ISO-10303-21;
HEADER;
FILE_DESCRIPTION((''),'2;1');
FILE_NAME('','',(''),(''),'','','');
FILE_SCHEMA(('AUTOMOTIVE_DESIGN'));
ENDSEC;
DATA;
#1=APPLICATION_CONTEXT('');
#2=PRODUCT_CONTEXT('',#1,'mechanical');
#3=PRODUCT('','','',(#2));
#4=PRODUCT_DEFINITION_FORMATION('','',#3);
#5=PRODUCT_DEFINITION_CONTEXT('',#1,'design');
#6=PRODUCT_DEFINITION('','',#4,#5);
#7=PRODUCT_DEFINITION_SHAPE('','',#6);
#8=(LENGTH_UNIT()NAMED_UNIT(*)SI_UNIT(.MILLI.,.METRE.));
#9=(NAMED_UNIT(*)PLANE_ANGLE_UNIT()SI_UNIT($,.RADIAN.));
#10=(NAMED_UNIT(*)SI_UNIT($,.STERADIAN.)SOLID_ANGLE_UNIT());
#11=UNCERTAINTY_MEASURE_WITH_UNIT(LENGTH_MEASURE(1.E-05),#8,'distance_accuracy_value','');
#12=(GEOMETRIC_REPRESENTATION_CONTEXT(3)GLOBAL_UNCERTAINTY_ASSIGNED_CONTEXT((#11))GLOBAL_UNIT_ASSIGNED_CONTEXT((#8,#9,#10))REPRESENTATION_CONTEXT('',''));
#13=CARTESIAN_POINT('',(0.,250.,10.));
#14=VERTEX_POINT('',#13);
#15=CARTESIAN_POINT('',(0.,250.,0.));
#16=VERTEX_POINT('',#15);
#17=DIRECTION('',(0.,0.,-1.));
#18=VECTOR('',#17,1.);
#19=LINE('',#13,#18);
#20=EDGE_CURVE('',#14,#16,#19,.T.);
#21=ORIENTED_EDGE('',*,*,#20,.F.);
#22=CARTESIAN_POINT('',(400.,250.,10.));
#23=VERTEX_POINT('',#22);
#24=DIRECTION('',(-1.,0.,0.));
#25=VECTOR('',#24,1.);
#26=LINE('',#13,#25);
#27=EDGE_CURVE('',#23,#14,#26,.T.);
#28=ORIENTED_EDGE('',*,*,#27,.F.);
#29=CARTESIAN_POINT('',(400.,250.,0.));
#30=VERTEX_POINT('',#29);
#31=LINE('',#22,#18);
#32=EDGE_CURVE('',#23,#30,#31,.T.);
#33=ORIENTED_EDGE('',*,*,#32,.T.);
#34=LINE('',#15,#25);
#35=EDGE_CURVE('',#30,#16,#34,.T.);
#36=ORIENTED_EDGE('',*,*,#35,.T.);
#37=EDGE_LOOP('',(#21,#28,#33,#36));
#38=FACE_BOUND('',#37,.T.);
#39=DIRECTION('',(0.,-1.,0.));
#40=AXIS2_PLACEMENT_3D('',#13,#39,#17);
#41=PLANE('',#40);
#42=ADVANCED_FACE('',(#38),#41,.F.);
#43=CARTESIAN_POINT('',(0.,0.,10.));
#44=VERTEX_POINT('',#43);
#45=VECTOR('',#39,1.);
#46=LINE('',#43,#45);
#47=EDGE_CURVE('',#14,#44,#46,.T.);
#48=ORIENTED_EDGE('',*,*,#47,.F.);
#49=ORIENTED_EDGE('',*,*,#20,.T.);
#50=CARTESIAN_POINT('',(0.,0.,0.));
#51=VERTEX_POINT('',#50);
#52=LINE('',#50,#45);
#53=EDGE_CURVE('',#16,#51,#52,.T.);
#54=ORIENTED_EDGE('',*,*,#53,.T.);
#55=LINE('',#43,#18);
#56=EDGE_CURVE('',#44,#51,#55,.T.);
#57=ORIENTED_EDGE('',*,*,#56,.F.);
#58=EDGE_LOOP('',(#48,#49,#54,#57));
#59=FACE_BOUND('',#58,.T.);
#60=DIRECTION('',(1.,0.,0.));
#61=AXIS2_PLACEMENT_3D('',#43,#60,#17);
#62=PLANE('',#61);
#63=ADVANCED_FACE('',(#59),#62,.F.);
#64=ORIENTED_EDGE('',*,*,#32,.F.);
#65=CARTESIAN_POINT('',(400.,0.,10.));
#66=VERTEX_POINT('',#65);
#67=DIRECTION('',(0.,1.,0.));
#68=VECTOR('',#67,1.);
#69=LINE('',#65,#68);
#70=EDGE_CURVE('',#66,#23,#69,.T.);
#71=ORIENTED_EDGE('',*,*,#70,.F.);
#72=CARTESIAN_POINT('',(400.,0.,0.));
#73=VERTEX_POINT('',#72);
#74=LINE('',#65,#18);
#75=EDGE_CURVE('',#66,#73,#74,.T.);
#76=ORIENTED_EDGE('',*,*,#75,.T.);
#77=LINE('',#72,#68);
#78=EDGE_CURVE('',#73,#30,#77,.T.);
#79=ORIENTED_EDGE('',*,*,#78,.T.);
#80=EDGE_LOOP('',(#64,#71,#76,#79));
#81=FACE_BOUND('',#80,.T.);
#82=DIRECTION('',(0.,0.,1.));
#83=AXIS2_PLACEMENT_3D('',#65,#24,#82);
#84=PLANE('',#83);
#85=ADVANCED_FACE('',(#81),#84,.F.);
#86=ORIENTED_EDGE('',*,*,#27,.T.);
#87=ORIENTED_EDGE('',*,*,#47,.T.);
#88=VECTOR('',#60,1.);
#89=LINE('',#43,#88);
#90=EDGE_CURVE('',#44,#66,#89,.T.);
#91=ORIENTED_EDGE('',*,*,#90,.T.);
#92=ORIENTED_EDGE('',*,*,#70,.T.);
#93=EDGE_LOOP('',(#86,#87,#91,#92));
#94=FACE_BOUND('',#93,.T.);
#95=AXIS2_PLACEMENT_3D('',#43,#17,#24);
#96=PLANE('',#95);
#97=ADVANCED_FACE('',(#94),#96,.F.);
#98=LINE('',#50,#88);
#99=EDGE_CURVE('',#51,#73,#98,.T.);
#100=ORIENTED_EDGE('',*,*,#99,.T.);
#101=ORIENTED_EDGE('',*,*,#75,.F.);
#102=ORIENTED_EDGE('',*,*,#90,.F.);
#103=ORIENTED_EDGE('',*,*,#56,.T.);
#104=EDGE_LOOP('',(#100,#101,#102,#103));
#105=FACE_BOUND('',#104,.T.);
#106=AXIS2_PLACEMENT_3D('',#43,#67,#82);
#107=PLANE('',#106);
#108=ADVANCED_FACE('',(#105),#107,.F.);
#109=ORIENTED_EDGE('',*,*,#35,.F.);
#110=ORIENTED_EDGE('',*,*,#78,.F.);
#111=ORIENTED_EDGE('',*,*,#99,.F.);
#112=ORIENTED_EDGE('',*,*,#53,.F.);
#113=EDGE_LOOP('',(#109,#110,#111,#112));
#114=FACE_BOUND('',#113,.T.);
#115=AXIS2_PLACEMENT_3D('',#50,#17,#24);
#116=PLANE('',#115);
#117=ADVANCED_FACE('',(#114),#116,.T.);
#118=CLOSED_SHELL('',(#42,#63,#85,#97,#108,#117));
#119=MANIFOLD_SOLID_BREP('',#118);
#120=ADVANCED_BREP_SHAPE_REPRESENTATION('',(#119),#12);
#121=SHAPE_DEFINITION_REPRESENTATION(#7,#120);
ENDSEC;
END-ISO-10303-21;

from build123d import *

# Parameters (mm, degrees)
SKETCH1_W           = 400
SKETCH1_H           = 250
BOSS_EXTRUDE1_DEPTH = 10


with BuildPart() as part:
    # Sketch1 → Boss-Extrude1 (new body)
    with BuildSketch(Plane.XY):
        with Locations((200, 125)):
            Rectangle(SKETCH1_W, SKETCH1_H)
    extrude(amount=BOSS_EXTRUDE1_DEPTH)


solid = part.part
